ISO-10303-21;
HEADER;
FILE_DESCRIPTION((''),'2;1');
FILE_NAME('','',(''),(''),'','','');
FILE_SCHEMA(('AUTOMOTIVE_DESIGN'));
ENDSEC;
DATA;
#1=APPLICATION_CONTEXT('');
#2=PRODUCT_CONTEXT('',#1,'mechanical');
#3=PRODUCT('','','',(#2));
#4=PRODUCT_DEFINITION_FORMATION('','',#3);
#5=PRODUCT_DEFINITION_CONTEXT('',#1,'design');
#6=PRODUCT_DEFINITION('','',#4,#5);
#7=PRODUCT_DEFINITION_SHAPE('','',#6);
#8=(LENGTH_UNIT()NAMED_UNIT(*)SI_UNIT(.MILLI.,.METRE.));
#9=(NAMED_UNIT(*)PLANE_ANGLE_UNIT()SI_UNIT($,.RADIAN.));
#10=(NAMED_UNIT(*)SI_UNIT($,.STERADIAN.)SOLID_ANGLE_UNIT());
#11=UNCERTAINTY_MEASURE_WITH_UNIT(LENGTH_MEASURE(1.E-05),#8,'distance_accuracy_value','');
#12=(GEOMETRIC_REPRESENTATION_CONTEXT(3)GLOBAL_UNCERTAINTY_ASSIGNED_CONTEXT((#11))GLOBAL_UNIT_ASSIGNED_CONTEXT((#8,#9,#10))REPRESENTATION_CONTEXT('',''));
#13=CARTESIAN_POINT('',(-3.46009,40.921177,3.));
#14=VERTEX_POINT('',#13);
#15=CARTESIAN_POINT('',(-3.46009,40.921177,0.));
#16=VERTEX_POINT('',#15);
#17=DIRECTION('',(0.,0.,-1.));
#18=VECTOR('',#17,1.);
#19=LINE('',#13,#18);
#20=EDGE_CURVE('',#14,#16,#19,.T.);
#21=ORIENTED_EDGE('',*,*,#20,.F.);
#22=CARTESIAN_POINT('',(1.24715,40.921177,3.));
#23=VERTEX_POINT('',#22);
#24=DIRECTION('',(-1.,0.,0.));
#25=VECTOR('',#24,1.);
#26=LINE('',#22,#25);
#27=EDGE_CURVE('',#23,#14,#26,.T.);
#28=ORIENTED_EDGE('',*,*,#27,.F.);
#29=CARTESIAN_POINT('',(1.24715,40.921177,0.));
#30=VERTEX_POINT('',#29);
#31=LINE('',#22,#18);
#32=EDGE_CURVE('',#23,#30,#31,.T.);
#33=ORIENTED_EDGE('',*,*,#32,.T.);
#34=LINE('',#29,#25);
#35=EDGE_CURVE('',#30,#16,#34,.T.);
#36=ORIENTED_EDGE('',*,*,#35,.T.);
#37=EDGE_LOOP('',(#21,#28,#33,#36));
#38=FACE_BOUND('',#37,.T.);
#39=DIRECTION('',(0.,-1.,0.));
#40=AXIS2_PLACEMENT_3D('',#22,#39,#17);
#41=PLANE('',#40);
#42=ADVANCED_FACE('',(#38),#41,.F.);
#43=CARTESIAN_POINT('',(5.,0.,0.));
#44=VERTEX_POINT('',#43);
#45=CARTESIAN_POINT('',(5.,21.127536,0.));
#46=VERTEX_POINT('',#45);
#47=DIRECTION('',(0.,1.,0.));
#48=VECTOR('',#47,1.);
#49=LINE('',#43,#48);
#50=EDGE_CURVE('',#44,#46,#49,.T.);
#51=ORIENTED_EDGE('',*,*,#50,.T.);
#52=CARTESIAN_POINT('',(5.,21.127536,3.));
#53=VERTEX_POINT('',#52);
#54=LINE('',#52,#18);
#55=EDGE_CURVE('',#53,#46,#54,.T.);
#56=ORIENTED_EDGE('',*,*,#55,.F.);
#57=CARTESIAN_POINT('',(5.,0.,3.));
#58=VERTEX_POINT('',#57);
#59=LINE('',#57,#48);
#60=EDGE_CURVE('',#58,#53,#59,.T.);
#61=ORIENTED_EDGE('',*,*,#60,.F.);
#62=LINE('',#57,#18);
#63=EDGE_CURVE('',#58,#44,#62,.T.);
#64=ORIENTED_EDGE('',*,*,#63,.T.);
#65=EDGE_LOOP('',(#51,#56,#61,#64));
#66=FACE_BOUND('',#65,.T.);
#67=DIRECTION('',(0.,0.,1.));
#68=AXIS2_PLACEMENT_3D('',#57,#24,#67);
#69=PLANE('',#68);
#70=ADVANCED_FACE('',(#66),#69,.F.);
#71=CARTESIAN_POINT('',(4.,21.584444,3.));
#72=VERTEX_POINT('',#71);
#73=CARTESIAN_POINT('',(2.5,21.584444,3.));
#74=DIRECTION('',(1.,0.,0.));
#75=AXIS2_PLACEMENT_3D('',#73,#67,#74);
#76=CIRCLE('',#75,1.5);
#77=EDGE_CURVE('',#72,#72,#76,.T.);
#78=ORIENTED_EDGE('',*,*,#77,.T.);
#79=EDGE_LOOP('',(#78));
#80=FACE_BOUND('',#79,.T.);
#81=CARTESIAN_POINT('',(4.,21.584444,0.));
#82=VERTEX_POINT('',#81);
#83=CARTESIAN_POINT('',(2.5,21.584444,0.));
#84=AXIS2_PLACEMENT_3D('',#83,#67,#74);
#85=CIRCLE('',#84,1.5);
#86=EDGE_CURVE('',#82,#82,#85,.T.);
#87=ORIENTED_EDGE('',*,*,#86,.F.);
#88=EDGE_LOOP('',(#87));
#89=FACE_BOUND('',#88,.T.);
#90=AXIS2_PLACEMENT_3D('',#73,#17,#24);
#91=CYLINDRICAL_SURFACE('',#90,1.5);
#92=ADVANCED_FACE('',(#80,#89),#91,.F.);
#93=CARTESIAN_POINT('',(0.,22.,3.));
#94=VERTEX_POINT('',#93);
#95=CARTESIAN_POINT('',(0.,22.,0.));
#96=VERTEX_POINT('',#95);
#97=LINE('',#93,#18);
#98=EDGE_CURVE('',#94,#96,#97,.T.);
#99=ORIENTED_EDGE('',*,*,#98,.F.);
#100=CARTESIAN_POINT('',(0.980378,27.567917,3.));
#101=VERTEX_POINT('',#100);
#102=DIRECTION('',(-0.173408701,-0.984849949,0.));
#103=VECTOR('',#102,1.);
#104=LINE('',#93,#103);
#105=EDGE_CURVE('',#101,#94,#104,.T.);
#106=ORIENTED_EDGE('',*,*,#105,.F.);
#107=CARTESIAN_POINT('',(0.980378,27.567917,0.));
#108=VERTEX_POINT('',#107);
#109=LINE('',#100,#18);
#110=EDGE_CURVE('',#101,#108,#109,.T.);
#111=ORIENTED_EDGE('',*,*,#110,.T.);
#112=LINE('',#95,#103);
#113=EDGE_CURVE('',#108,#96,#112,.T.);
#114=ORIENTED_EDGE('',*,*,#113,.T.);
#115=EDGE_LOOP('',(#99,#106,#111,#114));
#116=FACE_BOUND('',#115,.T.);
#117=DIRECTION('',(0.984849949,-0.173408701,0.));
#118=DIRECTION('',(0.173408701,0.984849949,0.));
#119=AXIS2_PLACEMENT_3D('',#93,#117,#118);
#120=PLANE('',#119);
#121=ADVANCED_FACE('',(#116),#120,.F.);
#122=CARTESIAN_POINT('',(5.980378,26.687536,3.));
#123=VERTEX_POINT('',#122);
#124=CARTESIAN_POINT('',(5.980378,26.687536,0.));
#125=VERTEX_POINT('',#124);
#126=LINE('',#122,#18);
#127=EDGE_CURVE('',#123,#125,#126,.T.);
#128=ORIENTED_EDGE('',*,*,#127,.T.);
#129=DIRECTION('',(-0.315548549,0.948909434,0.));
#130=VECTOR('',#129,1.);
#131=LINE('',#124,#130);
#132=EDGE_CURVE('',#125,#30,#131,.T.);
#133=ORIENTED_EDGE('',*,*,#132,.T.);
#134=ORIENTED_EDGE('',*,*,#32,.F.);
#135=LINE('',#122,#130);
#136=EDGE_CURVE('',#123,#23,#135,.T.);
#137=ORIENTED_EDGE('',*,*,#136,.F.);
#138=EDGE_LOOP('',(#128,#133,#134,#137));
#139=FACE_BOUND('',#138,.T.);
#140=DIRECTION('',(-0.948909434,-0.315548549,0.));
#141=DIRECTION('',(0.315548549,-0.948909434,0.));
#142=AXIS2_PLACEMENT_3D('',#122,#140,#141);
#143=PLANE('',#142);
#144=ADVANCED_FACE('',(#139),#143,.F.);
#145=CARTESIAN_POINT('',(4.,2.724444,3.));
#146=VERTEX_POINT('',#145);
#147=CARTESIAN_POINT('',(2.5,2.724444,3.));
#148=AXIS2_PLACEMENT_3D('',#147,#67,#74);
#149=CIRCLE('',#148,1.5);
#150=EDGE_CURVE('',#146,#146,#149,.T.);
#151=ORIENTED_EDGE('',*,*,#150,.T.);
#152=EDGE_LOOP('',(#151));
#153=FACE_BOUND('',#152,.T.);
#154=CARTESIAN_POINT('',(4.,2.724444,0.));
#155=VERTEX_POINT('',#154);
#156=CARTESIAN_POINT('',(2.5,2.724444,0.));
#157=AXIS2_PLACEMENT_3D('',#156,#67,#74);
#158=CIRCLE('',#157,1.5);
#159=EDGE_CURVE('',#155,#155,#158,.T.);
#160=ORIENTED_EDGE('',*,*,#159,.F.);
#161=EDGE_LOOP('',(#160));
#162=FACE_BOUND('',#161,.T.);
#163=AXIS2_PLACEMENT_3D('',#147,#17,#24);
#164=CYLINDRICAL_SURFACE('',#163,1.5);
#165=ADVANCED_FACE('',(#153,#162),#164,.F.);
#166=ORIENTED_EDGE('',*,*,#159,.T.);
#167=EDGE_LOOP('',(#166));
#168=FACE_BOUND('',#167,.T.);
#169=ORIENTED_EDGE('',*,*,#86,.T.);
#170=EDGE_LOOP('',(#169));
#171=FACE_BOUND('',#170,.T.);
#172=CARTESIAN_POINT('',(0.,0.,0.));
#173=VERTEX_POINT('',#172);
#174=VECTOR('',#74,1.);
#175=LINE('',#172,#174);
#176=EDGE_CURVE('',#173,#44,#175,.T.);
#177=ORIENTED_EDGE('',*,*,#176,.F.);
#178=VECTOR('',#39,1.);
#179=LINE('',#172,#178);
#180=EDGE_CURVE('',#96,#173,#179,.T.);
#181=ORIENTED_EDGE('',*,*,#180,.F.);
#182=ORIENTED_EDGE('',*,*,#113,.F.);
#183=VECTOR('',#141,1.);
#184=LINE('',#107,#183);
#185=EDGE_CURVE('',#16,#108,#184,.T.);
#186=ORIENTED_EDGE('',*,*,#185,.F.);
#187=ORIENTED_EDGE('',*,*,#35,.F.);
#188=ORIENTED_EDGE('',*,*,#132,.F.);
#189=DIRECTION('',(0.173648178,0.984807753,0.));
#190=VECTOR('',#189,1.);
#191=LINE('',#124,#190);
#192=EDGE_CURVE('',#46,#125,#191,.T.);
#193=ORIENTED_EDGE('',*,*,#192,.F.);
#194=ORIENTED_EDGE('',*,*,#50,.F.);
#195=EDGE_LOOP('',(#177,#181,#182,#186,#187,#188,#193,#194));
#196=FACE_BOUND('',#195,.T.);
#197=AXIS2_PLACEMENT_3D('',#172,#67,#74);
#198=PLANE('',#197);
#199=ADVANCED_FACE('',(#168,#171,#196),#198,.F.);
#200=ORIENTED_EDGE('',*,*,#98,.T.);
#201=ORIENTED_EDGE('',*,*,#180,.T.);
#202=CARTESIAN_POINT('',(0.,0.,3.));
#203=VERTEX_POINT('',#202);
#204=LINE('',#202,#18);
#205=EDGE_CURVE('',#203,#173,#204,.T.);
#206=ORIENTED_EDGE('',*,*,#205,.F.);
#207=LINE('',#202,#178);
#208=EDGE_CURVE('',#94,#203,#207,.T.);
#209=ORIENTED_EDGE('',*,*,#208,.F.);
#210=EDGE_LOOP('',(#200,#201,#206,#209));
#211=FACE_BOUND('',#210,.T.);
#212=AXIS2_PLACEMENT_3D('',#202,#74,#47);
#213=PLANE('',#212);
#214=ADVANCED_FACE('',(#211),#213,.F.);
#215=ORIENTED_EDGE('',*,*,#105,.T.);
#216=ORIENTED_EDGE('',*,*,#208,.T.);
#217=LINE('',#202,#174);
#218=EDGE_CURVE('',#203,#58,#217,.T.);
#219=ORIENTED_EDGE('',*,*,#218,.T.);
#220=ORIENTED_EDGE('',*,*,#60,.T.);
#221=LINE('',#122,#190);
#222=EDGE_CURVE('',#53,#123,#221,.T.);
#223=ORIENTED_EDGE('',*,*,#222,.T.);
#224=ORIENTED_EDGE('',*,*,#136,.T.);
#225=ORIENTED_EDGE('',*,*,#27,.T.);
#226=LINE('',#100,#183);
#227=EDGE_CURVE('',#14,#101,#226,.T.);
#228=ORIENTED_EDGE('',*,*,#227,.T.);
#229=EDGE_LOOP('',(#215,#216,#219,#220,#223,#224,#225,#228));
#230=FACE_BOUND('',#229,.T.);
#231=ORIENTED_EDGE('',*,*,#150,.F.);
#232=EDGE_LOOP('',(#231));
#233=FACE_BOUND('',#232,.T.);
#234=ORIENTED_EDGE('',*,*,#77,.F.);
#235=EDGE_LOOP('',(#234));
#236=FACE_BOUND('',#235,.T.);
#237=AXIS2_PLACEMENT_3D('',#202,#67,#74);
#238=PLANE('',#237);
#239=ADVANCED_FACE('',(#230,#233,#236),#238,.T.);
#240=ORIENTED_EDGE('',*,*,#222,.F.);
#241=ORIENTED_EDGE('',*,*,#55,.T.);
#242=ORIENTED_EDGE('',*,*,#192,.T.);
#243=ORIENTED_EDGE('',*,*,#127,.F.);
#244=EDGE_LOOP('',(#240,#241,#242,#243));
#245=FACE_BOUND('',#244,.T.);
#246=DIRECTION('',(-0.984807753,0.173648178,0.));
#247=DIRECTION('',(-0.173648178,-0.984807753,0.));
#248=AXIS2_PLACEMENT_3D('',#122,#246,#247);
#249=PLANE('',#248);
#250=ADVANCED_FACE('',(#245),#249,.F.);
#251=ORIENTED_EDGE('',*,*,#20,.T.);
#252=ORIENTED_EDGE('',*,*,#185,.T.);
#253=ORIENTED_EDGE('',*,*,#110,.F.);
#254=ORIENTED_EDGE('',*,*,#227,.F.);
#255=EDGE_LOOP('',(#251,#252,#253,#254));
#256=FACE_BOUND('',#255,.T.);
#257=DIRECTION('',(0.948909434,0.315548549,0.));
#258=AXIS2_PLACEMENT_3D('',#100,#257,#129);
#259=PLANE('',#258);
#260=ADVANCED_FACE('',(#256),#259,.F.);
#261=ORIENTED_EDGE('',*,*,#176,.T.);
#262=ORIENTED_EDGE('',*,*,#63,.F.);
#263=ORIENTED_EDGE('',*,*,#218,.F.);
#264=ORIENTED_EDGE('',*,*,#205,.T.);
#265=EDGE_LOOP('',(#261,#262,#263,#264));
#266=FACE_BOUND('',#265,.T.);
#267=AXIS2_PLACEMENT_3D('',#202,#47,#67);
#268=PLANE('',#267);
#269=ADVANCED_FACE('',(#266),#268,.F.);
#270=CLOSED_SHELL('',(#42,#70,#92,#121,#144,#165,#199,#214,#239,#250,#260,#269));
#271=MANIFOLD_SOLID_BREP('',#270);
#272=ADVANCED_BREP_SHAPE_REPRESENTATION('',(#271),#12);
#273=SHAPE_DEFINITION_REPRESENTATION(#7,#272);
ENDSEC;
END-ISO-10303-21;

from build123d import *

# Parameters (mm, degrees)
ESQUISSE1_R        = 1.5
BOSS_EXTRU_1_DEPTH = 3


with BuildPart() as part:
    # Esquisse1 → Boss.-Extru.1 (new body)
    with BuildSketch(Plane.XY):
        Polygon((0, 22), (0.980378013, 27.567916897), (-3.460089883, 40.921177074), (1.247149775, 40.921177074), (5.980378013, 26.68753557), (5, 21.12753557), (5, 0), (0, 0), align=None)
        with Locations((2.5, 2.724444158)):
            Circle(ESQUISSE1_R, mode=Mode.SUBTRACT)
        with Locations((2.5, 21.584444158)):
            Circle(ESQUISSE1_R, mode=Mode.SUBTRACT)
    extrude(amount=BOSS_EXTRU_1_DEPTH)


solid = part.part
